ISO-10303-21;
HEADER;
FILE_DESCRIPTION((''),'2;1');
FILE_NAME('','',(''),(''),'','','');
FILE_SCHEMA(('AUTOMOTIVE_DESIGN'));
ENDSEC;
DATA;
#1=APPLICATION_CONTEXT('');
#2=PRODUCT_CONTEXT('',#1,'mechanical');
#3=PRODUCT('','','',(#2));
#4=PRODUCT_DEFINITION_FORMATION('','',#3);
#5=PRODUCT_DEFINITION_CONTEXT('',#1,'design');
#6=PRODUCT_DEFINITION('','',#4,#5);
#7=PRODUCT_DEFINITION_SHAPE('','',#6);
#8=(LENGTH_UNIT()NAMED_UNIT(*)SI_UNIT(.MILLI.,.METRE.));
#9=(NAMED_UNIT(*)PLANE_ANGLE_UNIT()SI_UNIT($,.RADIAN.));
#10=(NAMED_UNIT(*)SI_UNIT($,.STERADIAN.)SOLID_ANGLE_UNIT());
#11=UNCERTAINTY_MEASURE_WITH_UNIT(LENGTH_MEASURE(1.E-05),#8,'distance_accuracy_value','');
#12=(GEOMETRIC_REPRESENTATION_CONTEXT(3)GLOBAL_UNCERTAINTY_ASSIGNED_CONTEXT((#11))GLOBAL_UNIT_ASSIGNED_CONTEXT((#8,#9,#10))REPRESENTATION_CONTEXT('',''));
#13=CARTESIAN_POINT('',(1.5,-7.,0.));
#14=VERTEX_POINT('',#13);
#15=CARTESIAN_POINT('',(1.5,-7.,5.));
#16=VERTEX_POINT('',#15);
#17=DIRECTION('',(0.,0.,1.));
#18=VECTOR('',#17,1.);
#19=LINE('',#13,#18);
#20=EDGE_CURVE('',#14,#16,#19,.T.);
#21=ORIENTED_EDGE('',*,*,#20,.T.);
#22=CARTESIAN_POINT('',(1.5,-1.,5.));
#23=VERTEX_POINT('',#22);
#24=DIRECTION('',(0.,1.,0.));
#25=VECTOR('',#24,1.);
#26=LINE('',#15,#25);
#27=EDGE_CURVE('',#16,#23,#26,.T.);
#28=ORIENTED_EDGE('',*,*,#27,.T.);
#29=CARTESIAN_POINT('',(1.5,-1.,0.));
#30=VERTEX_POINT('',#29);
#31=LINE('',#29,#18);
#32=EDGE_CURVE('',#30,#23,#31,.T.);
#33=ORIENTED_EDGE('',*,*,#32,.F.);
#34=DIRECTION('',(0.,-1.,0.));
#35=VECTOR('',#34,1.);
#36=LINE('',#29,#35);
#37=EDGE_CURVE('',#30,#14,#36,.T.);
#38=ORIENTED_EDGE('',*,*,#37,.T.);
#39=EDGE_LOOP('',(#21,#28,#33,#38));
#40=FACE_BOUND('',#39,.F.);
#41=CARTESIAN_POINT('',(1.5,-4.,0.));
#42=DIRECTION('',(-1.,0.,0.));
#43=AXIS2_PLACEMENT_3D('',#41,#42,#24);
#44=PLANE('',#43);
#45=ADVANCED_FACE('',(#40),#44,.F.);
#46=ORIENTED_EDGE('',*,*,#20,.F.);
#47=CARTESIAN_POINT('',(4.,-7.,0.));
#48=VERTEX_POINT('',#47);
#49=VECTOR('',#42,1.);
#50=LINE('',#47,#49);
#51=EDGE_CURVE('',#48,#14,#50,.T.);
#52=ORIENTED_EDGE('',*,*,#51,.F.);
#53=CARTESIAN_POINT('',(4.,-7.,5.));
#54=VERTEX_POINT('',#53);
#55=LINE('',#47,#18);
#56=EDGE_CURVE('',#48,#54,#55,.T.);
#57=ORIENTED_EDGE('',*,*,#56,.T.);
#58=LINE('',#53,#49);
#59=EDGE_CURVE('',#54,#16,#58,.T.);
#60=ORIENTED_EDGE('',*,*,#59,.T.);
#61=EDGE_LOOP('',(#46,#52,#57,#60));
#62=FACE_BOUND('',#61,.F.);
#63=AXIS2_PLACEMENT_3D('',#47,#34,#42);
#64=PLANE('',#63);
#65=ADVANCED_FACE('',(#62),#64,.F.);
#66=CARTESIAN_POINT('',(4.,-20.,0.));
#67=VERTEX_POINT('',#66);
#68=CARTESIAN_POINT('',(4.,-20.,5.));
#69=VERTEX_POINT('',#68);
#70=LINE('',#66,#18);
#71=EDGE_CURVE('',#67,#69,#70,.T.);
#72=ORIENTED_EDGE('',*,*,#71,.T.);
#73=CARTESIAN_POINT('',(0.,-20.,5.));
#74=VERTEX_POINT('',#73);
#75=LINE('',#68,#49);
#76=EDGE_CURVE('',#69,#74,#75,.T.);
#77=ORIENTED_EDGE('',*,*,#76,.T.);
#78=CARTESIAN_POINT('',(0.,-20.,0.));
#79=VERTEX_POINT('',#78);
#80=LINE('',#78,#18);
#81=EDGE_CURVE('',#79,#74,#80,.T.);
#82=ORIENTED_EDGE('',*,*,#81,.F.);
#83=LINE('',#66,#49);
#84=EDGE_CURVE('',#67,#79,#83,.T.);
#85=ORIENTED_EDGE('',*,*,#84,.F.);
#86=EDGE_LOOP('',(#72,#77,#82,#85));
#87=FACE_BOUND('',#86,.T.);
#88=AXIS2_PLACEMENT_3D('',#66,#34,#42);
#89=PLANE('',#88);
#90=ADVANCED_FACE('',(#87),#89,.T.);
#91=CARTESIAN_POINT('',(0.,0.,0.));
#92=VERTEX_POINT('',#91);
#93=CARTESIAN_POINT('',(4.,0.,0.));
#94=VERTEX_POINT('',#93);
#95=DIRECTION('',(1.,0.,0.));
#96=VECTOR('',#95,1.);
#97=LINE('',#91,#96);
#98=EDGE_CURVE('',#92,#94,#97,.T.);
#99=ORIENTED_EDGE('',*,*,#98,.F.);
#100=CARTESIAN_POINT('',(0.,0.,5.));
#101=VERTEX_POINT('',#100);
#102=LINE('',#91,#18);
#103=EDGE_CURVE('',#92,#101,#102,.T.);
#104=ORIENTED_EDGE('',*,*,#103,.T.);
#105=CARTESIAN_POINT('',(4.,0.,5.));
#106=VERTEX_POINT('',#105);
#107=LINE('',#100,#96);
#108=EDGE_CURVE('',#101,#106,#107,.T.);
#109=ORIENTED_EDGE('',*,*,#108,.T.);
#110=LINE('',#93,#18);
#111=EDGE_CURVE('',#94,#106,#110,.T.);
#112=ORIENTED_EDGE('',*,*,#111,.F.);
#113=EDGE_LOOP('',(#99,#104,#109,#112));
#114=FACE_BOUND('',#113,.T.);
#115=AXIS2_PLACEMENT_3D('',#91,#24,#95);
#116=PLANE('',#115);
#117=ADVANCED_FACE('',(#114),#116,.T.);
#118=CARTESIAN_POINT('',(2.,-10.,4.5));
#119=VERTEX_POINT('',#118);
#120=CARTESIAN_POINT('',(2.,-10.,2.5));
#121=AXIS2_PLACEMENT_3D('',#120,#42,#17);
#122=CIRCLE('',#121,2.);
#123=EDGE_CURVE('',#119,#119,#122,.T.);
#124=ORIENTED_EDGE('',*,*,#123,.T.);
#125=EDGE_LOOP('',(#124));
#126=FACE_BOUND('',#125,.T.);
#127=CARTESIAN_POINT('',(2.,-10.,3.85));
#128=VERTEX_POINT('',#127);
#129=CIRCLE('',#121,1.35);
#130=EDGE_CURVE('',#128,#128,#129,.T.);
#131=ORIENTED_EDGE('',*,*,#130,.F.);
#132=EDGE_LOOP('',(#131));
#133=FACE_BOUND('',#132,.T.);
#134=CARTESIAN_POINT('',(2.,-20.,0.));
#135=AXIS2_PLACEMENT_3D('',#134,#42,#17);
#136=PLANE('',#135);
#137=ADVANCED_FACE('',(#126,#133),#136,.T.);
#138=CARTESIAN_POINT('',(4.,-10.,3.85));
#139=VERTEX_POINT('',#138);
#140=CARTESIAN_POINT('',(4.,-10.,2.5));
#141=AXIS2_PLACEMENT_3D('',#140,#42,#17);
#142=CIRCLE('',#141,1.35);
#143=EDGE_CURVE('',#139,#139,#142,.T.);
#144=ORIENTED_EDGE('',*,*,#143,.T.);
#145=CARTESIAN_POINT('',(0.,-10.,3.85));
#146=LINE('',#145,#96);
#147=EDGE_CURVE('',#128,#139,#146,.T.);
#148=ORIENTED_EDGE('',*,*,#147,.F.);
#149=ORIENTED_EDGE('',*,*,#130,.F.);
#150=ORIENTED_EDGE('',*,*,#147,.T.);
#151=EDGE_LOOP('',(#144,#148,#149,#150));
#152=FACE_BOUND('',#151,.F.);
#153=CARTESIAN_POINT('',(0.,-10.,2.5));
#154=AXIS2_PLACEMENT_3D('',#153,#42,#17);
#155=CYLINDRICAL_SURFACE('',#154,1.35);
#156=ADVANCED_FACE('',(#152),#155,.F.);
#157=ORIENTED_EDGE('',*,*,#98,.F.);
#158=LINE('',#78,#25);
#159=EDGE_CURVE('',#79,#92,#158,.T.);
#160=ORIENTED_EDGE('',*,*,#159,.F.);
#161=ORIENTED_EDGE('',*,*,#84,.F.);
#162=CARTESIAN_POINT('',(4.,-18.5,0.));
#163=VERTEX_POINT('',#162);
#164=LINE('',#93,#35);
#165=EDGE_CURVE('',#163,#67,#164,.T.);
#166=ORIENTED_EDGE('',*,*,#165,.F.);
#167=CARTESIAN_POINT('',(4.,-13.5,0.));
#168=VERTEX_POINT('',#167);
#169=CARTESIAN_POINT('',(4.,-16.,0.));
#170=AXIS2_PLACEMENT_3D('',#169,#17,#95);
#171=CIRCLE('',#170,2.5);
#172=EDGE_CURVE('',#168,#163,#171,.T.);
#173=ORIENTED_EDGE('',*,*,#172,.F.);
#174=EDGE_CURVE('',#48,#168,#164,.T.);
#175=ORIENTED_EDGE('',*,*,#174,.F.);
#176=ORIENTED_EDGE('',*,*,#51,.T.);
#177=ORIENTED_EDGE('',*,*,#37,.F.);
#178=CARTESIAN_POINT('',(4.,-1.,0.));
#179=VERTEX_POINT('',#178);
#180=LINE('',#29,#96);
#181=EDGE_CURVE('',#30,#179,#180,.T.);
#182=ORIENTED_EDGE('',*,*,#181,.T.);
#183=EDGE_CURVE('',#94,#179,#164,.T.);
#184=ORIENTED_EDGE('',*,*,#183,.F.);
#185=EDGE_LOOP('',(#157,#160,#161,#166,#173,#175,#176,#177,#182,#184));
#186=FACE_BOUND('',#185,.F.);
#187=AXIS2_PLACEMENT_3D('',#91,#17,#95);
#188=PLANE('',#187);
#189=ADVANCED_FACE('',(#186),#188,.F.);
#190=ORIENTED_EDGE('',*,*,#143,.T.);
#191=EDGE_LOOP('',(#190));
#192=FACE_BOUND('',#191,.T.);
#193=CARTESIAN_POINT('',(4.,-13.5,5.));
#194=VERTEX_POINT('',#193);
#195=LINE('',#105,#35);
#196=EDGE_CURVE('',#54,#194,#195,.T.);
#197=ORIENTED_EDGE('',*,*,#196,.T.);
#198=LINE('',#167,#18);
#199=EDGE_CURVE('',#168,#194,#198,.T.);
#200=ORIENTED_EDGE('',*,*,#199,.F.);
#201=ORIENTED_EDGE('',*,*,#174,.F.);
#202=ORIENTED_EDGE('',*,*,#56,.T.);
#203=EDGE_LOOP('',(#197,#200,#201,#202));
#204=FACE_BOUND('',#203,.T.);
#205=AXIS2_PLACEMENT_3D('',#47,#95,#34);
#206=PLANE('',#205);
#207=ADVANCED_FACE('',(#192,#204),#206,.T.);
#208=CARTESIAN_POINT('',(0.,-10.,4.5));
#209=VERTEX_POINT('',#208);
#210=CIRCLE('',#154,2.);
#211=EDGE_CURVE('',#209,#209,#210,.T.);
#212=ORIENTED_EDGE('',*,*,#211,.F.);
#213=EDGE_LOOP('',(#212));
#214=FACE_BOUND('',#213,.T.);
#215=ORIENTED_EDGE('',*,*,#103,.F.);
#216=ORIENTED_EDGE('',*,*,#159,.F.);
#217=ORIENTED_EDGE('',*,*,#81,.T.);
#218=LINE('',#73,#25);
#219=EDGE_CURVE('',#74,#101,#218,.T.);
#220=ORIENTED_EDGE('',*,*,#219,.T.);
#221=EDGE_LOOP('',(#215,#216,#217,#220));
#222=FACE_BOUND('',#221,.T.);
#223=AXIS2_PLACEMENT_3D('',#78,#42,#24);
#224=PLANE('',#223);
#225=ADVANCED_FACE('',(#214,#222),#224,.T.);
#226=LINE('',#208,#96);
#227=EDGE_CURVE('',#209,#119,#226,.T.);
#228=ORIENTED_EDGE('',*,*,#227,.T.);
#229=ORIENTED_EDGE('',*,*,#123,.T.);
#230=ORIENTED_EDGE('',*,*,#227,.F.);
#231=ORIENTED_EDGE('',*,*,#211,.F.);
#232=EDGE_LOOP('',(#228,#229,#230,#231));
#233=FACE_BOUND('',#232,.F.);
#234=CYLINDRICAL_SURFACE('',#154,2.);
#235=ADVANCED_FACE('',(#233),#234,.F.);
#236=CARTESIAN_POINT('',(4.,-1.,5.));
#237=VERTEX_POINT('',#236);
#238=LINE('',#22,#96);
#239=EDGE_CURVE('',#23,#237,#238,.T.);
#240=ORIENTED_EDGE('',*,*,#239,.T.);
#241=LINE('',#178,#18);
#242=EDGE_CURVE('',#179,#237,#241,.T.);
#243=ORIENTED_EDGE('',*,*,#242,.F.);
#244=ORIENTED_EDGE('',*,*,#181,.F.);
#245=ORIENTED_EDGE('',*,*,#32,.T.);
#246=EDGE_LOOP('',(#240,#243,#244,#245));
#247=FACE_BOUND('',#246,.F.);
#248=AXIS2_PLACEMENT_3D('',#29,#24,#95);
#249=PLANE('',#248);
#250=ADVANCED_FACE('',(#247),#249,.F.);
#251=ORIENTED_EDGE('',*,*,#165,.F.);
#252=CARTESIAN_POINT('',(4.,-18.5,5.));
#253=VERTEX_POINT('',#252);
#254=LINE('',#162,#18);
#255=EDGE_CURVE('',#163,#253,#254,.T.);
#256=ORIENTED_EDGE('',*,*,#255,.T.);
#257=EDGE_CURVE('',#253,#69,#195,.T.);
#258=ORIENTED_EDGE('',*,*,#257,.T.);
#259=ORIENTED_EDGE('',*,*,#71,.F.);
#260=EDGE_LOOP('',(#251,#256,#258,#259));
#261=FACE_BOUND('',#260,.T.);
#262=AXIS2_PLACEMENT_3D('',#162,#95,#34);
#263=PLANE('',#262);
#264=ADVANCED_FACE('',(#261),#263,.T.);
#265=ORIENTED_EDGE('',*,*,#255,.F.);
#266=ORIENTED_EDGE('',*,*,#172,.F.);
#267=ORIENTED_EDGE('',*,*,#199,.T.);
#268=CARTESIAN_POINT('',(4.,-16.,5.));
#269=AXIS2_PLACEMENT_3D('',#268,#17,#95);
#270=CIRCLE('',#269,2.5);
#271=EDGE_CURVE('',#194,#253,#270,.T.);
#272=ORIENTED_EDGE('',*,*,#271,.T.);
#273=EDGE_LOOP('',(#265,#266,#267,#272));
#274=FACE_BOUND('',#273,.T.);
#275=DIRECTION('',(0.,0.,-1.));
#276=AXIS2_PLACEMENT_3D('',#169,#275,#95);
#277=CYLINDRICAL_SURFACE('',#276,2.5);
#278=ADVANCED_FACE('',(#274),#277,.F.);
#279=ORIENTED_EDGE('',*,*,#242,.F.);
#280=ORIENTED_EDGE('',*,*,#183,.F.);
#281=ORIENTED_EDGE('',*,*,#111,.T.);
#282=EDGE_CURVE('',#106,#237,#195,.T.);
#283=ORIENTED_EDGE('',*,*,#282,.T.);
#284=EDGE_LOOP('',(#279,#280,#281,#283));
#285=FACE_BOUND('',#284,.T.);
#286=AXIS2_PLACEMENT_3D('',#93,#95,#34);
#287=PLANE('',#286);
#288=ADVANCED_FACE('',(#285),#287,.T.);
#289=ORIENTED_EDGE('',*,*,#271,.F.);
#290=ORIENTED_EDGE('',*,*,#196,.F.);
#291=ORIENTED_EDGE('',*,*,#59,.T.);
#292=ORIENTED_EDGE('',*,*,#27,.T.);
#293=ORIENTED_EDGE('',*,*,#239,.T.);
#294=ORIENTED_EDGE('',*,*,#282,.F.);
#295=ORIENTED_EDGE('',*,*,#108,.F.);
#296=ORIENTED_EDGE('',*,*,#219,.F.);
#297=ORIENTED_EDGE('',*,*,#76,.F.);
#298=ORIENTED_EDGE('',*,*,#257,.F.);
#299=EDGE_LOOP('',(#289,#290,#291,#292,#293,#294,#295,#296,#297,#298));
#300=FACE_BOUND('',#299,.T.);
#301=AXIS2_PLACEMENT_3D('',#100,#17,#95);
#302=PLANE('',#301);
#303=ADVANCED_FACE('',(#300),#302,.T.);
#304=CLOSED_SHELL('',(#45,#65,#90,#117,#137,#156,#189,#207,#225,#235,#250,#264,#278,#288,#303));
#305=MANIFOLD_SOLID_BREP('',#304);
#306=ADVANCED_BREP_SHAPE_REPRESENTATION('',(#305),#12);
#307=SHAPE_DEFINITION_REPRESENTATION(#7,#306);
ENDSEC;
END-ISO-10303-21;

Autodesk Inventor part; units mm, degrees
ref_plane "YZ Plane" through (0, 0, 0) normal (1, 0, 0) x (0, 1, 0)
ref_plane "XZ Plane" through (0, 0, 0) normal (0, 1, 0) x (-1, 0, 0)
ref_plane "XY Plane" through (0, 0, 0) normal (0, 0, 1) x (1, 0, 0)
sketch "Sketch1" plane through (0, 0, 0) normal (0, 0, 1) x (1, 0, 0)
  line L0 (0, 0) -> (4, 0)
  line L1 (4, 0) -> (4, -20)
  line L2 (4, -20) -> (0, -20)
  line L3 (0, -20) -> (0, 0)
  circle A0 centre (4, -4) radius 2.5
  circle A1 centre (4, -16) radius 2.5
  line L4 (1.5, -4) -> (1.5, -7)
  line L5 (1.5, -7) -> (1.5, -1)
  line L6 (4, -7) -> (1.5, -7)
  line L7 (1.5, -1) -> (4, -1)
  point P0 (4, -18.5)
  point P1 (4, -13.5)
  dimension "d2" = 5
  dimension "d0" = 20
  dimension "d1" = 4
  dimension "d3" = 5
  dimension "d4" = 4
  dimension "d5" = 4
  dimension "d6" = 3
  dimension "d7" = 3
extrude "Extrusion1" add sketch "Sketch1" along normal blind 5 contours L0 L1 L7 L5 L4 L6 A1 L2 L3
sketch "Sketch3" plane through (0, -20, 0) normal (-1, 0, 0) x (0, 0, 1)
  circle A0 centre (2.5, 10) radius 1.35
  line L0 (0, 0) -> (5, 0) projected
  line L1 (0, 20) -> (0, 0) projected
  dimension "d10" = 10
  dimension "d11" = 2.5
  dimension "d12" = 20
  dimension "d13" = 2.7
extrude "Extrusion2" cut sketch "Sketch3" against normal blind 20
sketch "Sketch4" plane through (0, -20, 0) normal (-1, 0, 0) x (0, 0, 1)
  circle A0 centre (2.5, 10) radius 1.35 projected
  circle A1 centre (2.5, 10) radius 2
  point P0 (0, 20)
  dimension "d16" = 4
extrude "Extrusion3" cut sketch "Sketch4" against normal blind 2 contours A0 | A1
equation "\"d1\" = d4"
equation "\"d5\" = d4"
properties part number "POMSliderAxis"
